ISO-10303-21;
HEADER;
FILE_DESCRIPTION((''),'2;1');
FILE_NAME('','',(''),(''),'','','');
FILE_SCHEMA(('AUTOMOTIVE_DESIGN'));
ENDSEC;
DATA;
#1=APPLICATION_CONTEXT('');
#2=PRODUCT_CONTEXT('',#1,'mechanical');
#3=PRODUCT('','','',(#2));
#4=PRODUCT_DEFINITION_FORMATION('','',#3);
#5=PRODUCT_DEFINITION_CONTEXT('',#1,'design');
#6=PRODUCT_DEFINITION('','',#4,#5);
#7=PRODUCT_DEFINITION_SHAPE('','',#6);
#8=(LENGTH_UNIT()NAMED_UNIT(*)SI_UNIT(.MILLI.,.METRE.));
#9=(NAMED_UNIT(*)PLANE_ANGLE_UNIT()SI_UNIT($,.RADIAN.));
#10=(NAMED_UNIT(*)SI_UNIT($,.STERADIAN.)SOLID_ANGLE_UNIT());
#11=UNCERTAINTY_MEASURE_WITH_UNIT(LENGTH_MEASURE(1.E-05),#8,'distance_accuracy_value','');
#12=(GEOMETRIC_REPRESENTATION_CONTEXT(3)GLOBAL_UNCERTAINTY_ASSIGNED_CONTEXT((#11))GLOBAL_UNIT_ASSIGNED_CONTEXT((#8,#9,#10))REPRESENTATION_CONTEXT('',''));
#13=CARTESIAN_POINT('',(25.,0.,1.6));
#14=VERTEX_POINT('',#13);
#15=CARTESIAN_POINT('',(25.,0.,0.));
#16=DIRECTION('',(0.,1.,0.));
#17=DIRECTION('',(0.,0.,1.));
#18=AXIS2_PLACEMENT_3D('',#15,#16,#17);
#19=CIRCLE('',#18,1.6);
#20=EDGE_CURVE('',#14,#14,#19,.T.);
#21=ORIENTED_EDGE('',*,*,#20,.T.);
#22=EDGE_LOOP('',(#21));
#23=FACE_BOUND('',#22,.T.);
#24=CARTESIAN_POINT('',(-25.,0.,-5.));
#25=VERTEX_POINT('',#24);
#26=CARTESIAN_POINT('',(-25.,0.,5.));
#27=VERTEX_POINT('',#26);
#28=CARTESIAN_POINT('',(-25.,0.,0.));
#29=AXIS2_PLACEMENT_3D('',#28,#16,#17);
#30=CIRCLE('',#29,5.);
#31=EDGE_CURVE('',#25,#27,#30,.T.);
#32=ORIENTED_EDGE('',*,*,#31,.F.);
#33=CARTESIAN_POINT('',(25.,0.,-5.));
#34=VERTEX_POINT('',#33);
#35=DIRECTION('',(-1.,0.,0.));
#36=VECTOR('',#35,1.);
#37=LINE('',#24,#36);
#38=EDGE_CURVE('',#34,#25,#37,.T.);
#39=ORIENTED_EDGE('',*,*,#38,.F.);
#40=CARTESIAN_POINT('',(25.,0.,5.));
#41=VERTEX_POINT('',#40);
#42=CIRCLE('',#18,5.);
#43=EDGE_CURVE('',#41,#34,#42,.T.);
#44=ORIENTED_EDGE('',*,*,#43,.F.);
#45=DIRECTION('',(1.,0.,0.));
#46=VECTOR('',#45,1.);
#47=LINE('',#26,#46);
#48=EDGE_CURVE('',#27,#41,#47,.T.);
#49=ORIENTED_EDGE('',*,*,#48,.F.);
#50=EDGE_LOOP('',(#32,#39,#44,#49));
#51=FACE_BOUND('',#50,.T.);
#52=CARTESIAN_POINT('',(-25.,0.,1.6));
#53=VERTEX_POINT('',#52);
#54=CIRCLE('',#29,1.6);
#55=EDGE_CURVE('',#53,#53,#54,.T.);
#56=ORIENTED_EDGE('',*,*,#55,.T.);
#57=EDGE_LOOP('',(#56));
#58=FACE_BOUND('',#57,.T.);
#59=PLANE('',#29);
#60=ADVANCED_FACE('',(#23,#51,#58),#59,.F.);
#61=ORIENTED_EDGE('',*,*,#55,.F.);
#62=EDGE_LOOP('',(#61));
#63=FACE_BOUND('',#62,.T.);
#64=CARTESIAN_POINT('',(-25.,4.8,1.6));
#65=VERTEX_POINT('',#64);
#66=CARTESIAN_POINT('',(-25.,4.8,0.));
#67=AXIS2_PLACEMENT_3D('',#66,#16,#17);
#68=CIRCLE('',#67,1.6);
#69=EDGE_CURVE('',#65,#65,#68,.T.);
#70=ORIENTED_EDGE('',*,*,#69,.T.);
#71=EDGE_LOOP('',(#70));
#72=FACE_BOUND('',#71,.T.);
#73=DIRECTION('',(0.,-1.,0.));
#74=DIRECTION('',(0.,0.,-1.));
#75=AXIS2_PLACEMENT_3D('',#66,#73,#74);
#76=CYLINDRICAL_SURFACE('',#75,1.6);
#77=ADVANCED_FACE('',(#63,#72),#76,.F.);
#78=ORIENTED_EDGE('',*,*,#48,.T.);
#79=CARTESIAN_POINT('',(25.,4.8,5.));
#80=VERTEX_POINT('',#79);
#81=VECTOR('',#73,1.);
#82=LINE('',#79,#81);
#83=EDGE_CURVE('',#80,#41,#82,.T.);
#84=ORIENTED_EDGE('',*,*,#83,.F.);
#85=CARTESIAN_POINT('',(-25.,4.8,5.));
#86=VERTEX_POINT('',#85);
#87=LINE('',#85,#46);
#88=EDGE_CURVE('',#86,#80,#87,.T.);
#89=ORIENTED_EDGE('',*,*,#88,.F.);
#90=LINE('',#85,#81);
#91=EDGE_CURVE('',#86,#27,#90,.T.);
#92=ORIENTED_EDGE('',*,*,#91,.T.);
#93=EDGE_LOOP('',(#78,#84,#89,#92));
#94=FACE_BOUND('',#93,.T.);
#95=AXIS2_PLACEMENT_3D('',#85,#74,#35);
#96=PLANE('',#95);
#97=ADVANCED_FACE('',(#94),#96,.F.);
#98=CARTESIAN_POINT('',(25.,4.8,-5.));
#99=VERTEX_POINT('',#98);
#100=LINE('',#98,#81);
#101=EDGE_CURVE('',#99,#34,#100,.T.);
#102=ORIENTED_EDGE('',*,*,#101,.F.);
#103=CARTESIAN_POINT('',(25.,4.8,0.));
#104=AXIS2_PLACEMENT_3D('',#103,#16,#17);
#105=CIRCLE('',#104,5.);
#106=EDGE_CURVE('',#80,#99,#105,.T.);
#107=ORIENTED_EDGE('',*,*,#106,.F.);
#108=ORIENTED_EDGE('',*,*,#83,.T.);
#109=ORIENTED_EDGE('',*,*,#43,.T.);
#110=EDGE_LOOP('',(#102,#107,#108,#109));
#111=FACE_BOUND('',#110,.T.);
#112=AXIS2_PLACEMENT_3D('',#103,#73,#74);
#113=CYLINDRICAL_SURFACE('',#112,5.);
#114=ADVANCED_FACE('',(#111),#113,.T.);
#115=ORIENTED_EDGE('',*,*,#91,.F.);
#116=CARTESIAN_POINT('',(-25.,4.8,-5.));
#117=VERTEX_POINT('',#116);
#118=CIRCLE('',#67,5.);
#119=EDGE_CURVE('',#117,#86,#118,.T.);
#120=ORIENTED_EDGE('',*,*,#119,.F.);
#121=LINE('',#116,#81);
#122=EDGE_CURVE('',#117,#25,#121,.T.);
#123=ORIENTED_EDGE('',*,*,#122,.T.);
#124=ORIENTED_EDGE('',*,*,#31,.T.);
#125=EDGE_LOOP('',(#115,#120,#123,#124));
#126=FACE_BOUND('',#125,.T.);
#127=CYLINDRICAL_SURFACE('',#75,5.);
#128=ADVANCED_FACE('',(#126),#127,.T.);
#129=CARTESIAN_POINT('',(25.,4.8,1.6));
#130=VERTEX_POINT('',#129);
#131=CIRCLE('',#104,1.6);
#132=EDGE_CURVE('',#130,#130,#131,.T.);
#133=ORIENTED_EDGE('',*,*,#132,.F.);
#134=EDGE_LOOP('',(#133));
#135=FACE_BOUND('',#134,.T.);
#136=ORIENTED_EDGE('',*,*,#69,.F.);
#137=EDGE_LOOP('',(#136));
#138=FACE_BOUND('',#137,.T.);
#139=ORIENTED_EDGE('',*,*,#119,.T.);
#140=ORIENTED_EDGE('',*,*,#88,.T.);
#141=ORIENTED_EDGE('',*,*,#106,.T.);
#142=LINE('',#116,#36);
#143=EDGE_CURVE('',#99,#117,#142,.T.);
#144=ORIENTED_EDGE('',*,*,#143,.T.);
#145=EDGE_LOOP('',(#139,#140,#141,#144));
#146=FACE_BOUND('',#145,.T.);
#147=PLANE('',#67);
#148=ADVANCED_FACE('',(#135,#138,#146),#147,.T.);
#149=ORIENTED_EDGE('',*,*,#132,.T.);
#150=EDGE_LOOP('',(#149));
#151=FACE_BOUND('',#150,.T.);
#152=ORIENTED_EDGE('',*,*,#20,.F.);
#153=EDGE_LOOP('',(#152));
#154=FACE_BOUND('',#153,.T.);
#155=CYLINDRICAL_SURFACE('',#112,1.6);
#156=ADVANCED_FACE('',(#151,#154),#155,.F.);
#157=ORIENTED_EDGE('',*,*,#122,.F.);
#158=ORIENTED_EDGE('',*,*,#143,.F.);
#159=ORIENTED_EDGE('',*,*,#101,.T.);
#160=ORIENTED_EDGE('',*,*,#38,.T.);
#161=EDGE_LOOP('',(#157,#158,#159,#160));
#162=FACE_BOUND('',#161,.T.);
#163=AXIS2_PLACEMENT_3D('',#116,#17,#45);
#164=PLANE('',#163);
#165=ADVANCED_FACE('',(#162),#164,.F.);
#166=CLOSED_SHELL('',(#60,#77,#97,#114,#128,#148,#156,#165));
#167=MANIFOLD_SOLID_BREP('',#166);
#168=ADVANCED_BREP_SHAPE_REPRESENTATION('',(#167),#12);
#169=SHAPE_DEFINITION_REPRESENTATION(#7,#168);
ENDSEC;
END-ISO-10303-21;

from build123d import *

# Parameters (mm, degrees)
SKETCH_1_R      = 1.6
EXTRUDE_1_DEPTH = 4.8


with BuildPart() as part:
    # ｽｹｯﾁ1 → ﾎﾞｽ - 押し出し1 (new body)
    with BuildSketch(Plane(origin=(0, 0, 0), x_dir=(1, 0, 0), z_dir=(0, 1, 0))):
        with BuildLine():
            Line((-25, 5), (25, 5))
            ThreePointArc((25, 5), (30, 0), (25, -5))
            Line((25, -5), (-25, -5))
            ThreePointArc((-25, -5), (-30, 0), (-25, 5))
        make_face()
        with Locations(Location((-25, 0, 0), (0, 0, 270))):
            Circle(SKETCH_1_R, mode=Mode.SUBTRACT)
        with Locations(Location((25, 0, 0), (0, 0, 270))):
            Circle(SKETCH_1_R, mode=Mode.SUBTRACT)
    extrude(amount=EXTRUDE_1_DEPTH)


solid = part.part
